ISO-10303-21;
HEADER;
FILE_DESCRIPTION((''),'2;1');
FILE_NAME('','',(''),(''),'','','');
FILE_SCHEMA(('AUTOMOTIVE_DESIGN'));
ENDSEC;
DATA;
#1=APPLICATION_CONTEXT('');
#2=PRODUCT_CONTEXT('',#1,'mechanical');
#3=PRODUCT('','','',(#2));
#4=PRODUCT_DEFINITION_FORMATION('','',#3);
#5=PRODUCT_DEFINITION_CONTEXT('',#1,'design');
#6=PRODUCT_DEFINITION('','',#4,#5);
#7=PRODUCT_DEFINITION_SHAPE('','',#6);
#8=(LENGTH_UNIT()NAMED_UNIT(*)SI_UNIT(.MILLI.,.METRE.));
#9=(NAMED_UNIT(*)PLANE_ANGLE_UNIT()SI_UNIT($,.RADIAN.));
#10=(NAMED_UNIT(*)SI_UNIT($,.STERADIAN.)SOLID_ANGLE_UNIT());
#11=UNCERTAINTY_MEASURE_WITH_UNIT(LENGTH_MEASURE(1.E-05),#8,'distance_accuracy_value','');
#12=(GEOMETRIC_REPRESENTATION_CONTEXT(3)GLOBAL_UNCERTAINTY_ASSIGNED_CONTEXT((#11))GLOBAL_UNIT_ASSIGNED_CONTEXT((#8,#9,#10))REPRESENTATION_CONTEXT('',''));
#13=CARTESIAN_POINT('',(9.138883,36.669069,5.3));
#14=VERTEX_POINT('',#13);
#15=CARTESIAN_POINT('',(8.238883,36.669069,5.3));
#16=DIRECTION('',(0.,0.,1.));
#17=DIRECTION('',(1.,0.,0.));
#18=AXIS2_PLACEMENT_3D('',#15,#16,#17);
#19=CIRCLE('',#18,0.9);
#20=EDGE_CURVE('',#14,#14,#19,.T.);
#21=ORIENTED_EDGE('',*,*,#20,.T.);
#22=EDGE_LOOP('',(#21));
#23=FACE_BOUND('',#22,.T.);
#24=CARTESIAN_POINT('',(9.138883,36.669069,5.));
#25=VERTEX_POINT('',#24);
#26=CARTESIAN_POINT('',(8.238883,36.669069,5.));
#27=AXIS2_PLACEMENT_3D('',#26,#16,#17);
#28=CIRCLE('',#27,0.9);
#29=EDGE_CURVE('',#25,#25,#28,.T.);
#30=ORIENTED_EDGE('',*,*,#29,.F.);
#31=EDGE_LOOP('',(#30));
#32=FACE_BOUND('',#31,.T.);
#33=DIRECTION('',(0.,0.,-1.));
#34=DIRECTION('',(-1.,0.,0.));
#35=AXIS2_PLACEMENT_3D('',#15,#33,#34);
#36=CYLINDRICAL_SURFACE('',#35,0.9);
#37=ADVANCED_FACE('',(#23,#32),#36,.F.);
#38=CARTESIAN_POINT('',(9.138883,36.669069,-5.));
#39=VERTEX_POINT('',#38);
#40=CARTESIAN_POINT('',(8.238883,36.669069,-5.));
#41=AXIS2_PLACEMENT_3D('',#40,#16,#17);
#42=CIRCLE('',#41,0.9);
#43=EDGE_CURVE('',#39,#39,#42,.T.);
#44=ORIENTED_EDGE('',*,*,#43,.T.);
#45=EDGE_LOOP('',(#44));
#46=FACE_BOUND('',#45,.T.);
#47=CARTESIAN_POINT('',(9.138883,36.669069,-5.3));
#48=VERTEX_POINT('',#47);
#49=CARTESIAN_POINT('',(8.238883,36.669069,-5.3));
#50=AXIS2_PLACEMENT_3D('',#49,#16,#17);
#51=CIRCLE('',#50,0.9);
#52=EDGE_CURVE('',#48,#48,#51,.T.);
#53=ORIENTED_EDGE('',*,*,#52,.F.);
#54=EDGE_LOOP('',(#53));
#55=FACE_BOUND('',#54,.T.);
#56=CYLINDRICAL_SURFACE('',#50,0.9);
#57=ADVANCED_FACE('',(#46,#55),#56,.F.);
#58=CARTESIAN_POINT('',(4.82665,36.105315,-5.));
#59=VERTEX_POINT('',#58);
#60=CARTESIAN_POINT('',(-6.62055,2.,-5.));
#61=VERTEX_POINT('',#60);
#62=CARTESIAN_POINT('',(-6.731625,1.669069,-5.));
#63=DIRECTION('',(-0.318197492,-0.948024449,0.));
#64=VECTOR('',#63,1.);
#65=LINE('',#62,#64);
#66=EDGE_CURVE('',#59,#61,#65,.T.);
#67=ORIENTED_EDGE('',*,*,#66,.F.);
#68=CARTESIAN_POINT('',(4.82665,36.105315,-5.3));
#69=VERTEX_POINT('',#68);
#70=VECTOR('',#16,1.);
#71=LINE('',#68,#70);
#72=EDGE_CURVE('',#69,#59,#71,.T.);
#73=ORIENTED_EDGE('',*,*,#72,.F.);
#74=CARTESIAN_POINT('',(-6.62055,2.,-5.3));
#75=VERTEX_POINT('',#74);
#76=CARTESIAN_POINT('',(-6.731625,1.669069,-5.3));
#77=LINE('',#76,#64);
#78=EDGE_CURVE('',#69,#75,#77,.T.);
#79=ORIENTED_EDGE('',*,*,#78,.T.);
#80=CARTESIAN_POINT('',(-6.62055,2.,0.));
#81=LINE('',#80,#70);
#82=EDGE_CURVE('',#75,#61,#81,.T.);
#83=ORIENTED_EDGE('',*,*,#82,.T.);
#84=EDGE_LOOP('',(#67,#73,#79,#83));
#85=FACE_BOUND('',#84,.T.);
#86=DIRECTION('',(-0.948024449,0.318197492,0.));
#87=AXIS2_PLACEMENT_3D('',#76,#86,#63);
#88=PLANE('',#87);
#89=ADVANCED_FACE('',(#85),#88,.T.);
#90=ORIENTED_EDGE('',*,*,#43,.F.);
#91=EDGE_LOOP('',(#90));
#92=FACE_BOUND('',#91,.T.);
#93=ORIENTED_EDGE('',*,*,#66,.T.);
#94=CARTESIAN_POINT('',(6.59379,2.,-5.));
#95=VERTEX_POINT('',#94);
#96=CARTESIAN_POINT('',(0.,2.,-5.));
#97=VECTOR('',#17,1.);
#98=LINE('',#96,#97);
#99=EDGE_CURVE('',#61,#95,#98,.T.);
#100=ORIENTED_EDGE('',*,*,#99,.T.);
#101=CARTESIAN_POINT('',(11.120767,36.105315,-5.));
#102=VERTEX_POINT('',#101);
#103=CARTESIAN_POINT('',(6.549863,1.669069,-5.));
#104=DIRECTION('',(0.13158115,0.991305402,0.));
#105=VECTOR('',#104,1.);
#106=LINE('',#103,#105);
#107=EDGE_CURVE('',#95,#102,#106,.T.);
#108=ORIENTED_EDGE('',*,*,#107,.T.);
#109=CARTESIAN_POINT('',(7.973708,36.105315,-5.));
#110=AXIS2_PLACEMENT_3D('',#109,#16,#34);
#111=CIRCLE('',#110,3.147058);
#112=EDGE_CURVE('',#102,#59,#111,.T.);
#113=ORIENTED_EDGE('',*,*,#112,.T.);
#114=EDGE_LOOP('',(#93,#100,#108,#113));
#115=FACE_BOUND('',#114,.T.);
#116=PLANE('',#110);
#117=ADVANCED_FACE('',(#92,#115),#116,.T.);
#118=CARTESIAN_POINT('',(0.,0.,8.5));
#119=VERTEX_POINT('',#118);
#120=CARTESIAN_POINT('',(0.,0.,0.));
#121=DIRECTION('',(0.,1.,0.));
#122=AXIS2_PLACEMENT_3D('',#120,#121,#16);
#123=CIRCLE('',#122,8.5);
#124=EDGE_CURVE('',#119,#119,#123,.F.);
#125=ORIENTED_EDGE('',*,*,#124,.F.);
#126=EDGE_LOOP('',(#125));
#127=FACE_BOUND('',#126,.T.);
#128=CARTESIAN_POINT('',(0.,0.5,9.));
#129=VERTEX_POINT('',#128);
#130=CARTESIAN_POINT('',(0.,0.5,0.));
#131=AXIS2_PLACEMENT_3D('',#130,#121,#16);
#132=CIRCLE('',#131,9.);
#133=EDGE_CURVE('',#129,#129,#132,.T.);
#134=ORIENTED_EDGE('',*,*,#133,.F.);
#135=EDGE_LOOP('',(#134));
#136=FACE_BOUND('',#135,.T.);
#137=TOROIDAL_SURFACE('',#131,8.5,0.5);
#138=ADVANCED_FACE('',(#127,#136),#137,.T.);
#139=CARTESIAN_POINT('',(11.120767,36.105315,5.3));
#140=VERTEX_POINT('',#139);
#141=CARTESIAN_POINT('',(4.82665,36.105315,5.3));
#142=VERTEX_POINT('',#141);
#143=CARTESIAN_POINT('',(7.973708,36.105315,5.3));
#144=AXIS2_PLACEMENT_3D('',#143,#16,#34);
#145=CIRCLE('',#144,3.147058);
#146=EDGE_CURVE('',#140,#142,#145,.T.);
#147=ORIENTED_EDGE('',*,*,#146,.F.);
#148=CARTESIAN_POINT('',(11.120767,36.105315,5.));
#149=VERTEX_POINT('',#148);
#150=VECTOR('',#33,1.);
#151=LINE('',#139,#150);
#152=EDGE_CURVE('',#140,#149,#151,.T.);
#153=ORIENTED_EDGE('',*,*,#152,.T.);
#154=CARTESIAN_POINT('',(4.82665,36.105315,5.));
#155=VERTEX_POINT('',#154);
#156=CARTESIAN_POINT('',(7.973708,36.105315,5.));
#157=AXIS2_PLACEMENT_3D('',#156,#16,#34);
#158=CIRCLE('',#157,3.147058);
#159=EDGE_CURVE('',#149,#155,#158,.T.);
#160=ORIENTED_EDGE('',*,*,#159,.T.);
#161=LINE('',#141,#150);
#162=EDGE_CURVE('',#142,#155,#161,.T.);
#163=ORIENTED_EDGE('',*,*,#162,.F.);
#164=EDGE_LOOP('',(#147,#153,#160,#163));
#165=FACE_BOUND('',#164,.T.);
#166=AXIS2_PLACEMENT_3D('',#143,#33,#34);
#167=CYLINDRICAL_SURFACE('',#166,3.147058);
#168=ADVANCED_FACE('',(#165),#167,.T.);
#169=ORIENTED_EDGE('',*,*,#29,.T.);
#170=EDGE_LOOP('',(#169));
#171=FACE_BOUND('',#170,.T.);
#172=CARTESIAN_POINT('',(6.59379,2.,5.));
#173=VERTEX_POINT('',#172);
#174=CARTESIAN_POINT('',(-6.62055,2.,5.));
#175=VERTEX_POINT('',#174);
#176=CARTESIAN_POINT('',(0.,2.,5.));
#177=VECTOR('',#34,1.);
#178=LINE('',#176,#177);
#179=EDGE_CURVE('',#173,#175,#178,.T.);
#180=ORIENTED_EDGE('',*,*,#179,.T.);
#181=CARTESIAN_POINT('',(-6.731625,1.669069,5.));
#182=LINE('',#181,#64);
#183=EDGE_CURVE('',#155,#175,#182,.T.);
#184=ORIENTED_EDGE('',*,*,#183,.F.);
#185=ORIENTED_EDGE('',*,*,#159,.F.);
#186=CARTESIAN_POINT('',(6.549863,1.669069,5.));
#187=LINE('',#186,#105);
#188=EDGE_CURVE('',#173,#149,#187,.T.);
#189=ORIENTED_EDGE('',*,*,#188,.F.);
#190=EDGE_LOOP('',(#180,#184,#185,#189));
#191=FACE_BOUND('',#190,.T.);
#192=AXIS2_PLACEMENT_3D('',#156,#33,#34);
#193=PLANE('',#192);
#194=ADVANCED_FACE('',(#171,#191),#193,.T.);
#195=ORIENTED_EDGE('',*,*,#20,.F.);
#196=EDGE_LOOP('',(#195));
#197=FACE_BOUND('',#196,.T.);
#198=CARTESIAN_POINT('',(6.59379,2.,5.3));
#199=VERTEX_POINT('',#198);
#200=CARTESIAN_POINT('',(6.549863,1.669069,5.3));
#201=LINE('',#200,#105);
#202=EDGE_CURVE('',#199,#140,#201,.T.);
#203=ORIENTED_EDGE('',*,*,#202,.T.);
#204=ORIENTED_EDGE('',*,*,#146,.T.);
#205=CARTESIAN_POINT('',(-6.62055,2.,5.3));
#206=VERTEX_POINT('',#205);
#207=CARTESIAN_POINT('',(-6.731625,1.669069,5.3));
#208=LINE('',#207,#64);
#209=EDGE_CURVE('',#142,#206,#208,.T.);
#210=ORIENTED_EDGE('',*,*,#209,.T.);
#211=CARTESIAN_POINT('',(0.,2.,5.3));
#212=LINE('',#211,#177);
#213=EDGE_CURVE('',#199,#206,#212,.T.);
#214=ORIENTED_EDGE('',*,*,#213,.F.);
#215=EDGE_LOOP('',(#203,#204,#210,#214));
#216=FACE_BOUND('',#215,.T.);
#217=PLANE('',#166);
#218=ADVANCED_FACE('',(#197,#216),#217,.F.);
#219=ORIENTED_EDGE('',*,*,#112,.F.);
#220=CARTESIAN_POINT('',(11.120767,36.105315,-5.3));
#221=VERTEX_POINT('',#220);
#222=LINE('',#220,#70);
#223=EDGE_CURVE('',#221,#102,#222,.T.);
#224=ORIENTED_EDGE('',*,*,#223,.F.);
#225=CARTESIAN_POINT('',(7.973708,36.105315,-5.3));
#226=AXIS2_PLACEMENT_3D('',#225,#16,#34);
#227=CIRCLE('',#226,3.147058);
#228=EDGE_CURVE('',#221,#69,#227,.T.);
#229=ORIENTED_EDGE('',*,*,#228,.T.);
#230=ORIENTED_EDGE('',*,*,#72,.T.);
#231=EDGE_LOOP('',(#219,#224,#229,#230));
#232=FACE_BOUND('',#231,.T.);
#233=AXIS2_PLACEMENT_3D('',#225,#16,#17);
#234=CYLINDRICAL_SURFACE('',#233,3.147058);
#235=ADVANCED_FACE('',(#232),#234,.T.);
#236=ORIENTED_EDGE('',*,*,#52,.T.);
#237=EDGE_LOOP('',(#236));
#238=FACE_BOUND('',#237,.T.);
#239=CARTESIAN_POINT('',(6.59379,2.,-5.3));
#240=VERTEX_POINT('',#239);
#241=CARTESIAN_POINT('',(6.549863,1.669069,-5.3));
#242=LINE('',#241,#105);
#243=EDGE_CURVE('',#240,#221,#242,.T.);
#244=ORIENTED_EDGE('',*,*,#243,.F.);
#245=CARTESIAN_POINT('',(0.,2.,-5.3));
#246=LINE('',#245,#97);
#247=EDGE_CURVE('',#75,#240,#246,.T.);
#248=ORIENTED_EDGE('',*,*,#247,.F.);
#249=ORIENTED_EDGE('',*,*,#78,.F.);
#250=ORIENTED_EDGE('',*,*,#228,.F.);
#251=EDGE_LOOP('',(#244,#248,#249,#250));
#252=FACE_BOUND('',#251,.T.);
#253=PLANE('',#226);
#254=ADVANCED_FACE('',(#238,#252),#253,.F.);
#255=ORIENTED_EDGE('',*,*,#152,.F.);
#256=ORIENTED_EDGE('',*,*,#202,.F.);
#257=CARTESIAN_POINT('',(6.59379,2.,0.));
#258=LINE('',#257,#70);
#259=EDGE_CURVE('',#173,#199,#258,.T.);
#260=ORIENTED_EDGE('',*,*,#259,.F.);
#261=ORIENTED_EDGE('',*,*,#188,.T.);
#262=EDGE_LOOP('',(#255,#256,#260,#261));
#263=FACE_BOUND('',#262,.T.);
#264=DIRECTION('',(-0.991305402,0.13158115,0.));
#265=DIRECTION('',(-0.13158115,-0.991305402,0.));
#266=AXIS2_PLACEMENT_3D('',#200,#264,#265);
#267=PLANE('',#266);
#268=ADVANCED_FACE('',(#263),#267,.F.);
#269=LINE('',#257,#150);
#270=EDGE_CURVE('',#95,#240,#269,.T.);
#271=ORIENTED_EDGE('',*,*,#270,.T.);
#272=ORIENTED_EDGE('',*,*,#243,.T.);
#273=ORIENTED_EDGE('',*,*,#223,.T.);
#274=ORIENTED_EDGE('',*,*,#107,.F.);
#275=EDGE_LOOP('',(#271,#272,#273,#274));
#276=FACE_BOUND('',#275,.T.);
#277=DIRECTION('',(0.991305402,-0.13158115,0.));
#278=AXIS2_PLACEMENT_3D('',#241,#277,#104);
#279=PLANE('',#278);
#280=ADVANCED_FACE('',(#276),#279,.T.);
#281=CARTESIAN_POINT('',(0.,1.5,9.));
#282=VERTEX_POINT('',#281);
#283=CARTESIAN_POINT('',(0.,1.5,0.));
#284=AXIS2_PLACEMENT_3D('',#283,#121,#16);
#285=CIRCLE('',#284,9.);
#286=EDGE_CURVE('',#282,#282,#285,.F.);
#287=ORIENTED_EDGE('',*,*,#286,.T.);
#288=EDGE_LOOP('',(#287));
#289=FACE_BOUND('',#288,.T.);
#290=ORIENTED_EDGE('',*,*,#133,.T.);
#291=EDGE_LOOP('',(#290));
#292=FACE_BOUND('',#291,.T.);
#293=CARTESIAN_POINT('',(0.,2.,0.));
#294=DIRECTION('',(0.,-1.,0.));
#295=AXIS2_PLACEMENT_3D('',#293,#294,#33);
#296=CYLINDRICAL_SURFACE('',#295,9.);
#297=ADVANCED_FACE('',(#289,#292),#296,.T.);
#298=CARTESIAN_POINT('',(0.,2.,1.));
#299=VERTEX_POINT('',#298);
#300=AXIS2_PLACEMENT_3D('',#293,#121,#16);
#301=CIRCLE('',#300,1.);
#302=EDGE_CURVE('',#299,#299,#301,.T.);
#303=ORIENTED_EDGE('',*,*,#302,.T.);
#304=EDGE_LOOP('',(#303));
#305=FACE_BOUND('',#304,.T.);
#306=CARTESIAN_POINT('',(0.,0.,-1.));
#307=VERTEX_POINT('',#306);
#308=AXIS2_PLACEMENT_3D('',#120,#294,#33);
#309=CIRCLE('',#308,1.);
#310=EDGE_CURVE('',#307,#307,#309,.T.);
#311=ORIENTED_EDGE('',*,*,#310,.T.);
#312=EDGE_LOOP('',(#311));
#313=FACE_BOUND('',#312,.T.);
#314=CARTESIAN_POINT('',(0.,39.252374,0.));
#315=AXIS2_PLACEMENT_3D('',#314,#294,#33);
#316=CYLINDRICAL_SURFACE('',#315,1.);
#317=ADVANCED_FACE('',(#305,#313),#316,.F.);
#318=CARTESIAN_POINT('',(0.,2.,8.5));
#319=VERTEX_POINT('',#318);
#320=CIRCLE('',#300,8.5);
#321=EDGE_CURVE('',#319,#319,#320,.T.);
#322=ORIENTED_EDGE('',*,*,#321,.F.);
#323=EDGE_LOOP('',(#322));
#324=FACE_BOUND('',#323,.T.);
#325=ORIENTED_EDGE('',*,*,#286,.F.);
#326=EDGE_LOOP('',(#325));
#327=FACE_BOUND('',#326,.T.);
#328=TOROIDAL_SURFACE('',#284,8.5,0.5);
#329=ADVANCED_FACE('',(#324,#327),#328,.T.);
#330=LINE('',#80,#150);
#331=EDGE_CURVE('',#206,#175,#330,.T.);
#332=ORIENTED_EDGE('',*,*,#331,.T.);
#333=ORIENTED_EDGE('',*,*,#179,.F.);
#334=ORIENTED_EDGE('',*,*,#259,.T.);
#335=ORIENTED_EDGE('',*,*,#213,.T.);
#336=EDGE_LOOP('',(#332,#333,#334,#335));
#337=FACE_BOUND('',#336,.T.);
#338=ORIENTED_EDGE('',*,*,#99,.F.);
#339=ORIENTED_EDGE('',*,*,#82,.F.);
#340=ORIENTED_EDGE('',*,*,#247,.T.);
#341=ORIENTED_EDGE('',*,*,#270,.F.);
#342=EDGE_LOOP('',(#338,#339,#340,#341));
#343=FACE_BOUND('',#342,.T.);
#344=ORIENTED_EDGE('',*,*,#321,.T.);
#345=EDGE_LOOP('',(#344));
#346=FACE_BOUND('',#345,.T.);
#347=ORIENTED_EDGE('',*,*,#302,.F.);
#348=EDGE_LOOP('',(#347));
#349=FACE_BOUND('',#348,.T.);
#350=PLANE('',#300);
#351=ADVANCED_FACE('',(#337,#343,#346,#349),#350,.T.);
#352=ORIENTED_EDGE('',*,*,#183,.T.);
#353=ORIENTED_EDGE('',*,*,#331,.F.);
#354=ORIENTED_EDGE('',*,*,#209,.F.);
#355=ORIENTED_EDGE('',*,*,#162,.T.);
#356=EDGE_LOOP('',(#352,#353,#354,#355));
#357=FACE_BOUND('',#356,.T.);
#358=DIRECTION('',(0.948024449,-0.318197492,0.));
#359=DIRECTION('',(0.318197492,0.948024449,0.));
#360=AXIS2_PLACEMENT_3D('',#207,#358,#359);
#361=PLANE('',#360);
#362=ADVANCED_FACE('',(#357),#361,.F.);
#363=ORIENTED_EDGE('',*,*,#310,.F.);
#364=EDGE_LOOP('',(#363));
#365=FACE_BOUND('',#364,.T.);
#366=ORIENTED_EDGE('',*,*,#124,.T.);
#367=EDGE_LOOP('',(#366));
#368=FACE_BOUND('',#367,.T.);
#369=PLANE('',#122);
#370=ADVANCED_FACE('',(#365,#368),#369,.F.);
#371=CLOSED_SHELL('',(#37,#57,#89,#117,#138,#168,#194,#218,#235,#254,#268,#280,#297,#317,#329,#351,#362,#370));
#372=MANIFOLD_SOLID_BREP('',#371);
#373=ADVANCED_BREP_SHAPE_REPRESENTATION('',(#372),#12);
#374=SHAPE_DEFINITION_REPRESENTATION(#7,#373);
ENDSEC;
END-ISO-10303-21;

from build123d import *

# Parameters (mm, degrees)
SKETCH1_R           = 9
BOSS_EXTRUDE1_DEPTH = 2
FILLET1_R           = 0.5
SKETCH11_R          = 0.9
BOSS_EXTRUDE5_DEPTH = 0.3
SKETCH14_R          = 1
CUT_EXTRUDE1_DEPTH  = 40.252373603


with BuildPart() as part:
    # Sketch1 → Boss-Extrude1 (new body)
    with BuildSketch(Plane(origin=(0, 0, 0), x_dir=(1, 0, 0), z_dir=(0, 1, 0))):
        Circle(SKETCH1_R)
    extrude(amount=BOSS_EXTRUDE1_DEPTH)

    # Fillet1
    fillet1_edges = [part.edges().sort_by_distance(p)[0] for p in [
        (-9, 0, 0),
        (-9, 2, 0),
    ]]
    fillet(fillet1_edges, radius=FILLET1_R)

    # Sketch11 → Boss-Extrude5 (add)
    with BuildSketch(Plane.XY.offset(5)):
        with BuildLine():
            Line((6.549863489, 1.669069214), (11.12076654, 36.105315389))
            ThreePointArc((11.12076654, 36.105315389), (7.973708326, 39.252373603), (4.826650112, 36.105315389))
            Line((4.826650112, 36.105315389), (-6.731624766, 1.669069214))
            Line((-6.731624766, 1.669069214), (6.549863489, 1.669069214))
        make_face()
        with Locations((8.238882634, 36.669069214)):
            Circle(SKETCH11_R, mode=Mode.SUBTRACT)
    boss_extrude5 = extrude(amount=BOSS_EXTRUDE5_DEPTH)

    # Mirror1: Boss-Extrude5 across plane
    add(boss_extrude5.mirror(Plane.XY))

    # Sketch14 → Cut-Extrude1 (cut, through all)
    with BuildSketch(Plane.XZ):
        Circle(SKETCH14_R)
    extrude(amount=-CUT_EXTRUDE1_DEPTH, mode=Mode.SUBTRACT)


solid = part.part
